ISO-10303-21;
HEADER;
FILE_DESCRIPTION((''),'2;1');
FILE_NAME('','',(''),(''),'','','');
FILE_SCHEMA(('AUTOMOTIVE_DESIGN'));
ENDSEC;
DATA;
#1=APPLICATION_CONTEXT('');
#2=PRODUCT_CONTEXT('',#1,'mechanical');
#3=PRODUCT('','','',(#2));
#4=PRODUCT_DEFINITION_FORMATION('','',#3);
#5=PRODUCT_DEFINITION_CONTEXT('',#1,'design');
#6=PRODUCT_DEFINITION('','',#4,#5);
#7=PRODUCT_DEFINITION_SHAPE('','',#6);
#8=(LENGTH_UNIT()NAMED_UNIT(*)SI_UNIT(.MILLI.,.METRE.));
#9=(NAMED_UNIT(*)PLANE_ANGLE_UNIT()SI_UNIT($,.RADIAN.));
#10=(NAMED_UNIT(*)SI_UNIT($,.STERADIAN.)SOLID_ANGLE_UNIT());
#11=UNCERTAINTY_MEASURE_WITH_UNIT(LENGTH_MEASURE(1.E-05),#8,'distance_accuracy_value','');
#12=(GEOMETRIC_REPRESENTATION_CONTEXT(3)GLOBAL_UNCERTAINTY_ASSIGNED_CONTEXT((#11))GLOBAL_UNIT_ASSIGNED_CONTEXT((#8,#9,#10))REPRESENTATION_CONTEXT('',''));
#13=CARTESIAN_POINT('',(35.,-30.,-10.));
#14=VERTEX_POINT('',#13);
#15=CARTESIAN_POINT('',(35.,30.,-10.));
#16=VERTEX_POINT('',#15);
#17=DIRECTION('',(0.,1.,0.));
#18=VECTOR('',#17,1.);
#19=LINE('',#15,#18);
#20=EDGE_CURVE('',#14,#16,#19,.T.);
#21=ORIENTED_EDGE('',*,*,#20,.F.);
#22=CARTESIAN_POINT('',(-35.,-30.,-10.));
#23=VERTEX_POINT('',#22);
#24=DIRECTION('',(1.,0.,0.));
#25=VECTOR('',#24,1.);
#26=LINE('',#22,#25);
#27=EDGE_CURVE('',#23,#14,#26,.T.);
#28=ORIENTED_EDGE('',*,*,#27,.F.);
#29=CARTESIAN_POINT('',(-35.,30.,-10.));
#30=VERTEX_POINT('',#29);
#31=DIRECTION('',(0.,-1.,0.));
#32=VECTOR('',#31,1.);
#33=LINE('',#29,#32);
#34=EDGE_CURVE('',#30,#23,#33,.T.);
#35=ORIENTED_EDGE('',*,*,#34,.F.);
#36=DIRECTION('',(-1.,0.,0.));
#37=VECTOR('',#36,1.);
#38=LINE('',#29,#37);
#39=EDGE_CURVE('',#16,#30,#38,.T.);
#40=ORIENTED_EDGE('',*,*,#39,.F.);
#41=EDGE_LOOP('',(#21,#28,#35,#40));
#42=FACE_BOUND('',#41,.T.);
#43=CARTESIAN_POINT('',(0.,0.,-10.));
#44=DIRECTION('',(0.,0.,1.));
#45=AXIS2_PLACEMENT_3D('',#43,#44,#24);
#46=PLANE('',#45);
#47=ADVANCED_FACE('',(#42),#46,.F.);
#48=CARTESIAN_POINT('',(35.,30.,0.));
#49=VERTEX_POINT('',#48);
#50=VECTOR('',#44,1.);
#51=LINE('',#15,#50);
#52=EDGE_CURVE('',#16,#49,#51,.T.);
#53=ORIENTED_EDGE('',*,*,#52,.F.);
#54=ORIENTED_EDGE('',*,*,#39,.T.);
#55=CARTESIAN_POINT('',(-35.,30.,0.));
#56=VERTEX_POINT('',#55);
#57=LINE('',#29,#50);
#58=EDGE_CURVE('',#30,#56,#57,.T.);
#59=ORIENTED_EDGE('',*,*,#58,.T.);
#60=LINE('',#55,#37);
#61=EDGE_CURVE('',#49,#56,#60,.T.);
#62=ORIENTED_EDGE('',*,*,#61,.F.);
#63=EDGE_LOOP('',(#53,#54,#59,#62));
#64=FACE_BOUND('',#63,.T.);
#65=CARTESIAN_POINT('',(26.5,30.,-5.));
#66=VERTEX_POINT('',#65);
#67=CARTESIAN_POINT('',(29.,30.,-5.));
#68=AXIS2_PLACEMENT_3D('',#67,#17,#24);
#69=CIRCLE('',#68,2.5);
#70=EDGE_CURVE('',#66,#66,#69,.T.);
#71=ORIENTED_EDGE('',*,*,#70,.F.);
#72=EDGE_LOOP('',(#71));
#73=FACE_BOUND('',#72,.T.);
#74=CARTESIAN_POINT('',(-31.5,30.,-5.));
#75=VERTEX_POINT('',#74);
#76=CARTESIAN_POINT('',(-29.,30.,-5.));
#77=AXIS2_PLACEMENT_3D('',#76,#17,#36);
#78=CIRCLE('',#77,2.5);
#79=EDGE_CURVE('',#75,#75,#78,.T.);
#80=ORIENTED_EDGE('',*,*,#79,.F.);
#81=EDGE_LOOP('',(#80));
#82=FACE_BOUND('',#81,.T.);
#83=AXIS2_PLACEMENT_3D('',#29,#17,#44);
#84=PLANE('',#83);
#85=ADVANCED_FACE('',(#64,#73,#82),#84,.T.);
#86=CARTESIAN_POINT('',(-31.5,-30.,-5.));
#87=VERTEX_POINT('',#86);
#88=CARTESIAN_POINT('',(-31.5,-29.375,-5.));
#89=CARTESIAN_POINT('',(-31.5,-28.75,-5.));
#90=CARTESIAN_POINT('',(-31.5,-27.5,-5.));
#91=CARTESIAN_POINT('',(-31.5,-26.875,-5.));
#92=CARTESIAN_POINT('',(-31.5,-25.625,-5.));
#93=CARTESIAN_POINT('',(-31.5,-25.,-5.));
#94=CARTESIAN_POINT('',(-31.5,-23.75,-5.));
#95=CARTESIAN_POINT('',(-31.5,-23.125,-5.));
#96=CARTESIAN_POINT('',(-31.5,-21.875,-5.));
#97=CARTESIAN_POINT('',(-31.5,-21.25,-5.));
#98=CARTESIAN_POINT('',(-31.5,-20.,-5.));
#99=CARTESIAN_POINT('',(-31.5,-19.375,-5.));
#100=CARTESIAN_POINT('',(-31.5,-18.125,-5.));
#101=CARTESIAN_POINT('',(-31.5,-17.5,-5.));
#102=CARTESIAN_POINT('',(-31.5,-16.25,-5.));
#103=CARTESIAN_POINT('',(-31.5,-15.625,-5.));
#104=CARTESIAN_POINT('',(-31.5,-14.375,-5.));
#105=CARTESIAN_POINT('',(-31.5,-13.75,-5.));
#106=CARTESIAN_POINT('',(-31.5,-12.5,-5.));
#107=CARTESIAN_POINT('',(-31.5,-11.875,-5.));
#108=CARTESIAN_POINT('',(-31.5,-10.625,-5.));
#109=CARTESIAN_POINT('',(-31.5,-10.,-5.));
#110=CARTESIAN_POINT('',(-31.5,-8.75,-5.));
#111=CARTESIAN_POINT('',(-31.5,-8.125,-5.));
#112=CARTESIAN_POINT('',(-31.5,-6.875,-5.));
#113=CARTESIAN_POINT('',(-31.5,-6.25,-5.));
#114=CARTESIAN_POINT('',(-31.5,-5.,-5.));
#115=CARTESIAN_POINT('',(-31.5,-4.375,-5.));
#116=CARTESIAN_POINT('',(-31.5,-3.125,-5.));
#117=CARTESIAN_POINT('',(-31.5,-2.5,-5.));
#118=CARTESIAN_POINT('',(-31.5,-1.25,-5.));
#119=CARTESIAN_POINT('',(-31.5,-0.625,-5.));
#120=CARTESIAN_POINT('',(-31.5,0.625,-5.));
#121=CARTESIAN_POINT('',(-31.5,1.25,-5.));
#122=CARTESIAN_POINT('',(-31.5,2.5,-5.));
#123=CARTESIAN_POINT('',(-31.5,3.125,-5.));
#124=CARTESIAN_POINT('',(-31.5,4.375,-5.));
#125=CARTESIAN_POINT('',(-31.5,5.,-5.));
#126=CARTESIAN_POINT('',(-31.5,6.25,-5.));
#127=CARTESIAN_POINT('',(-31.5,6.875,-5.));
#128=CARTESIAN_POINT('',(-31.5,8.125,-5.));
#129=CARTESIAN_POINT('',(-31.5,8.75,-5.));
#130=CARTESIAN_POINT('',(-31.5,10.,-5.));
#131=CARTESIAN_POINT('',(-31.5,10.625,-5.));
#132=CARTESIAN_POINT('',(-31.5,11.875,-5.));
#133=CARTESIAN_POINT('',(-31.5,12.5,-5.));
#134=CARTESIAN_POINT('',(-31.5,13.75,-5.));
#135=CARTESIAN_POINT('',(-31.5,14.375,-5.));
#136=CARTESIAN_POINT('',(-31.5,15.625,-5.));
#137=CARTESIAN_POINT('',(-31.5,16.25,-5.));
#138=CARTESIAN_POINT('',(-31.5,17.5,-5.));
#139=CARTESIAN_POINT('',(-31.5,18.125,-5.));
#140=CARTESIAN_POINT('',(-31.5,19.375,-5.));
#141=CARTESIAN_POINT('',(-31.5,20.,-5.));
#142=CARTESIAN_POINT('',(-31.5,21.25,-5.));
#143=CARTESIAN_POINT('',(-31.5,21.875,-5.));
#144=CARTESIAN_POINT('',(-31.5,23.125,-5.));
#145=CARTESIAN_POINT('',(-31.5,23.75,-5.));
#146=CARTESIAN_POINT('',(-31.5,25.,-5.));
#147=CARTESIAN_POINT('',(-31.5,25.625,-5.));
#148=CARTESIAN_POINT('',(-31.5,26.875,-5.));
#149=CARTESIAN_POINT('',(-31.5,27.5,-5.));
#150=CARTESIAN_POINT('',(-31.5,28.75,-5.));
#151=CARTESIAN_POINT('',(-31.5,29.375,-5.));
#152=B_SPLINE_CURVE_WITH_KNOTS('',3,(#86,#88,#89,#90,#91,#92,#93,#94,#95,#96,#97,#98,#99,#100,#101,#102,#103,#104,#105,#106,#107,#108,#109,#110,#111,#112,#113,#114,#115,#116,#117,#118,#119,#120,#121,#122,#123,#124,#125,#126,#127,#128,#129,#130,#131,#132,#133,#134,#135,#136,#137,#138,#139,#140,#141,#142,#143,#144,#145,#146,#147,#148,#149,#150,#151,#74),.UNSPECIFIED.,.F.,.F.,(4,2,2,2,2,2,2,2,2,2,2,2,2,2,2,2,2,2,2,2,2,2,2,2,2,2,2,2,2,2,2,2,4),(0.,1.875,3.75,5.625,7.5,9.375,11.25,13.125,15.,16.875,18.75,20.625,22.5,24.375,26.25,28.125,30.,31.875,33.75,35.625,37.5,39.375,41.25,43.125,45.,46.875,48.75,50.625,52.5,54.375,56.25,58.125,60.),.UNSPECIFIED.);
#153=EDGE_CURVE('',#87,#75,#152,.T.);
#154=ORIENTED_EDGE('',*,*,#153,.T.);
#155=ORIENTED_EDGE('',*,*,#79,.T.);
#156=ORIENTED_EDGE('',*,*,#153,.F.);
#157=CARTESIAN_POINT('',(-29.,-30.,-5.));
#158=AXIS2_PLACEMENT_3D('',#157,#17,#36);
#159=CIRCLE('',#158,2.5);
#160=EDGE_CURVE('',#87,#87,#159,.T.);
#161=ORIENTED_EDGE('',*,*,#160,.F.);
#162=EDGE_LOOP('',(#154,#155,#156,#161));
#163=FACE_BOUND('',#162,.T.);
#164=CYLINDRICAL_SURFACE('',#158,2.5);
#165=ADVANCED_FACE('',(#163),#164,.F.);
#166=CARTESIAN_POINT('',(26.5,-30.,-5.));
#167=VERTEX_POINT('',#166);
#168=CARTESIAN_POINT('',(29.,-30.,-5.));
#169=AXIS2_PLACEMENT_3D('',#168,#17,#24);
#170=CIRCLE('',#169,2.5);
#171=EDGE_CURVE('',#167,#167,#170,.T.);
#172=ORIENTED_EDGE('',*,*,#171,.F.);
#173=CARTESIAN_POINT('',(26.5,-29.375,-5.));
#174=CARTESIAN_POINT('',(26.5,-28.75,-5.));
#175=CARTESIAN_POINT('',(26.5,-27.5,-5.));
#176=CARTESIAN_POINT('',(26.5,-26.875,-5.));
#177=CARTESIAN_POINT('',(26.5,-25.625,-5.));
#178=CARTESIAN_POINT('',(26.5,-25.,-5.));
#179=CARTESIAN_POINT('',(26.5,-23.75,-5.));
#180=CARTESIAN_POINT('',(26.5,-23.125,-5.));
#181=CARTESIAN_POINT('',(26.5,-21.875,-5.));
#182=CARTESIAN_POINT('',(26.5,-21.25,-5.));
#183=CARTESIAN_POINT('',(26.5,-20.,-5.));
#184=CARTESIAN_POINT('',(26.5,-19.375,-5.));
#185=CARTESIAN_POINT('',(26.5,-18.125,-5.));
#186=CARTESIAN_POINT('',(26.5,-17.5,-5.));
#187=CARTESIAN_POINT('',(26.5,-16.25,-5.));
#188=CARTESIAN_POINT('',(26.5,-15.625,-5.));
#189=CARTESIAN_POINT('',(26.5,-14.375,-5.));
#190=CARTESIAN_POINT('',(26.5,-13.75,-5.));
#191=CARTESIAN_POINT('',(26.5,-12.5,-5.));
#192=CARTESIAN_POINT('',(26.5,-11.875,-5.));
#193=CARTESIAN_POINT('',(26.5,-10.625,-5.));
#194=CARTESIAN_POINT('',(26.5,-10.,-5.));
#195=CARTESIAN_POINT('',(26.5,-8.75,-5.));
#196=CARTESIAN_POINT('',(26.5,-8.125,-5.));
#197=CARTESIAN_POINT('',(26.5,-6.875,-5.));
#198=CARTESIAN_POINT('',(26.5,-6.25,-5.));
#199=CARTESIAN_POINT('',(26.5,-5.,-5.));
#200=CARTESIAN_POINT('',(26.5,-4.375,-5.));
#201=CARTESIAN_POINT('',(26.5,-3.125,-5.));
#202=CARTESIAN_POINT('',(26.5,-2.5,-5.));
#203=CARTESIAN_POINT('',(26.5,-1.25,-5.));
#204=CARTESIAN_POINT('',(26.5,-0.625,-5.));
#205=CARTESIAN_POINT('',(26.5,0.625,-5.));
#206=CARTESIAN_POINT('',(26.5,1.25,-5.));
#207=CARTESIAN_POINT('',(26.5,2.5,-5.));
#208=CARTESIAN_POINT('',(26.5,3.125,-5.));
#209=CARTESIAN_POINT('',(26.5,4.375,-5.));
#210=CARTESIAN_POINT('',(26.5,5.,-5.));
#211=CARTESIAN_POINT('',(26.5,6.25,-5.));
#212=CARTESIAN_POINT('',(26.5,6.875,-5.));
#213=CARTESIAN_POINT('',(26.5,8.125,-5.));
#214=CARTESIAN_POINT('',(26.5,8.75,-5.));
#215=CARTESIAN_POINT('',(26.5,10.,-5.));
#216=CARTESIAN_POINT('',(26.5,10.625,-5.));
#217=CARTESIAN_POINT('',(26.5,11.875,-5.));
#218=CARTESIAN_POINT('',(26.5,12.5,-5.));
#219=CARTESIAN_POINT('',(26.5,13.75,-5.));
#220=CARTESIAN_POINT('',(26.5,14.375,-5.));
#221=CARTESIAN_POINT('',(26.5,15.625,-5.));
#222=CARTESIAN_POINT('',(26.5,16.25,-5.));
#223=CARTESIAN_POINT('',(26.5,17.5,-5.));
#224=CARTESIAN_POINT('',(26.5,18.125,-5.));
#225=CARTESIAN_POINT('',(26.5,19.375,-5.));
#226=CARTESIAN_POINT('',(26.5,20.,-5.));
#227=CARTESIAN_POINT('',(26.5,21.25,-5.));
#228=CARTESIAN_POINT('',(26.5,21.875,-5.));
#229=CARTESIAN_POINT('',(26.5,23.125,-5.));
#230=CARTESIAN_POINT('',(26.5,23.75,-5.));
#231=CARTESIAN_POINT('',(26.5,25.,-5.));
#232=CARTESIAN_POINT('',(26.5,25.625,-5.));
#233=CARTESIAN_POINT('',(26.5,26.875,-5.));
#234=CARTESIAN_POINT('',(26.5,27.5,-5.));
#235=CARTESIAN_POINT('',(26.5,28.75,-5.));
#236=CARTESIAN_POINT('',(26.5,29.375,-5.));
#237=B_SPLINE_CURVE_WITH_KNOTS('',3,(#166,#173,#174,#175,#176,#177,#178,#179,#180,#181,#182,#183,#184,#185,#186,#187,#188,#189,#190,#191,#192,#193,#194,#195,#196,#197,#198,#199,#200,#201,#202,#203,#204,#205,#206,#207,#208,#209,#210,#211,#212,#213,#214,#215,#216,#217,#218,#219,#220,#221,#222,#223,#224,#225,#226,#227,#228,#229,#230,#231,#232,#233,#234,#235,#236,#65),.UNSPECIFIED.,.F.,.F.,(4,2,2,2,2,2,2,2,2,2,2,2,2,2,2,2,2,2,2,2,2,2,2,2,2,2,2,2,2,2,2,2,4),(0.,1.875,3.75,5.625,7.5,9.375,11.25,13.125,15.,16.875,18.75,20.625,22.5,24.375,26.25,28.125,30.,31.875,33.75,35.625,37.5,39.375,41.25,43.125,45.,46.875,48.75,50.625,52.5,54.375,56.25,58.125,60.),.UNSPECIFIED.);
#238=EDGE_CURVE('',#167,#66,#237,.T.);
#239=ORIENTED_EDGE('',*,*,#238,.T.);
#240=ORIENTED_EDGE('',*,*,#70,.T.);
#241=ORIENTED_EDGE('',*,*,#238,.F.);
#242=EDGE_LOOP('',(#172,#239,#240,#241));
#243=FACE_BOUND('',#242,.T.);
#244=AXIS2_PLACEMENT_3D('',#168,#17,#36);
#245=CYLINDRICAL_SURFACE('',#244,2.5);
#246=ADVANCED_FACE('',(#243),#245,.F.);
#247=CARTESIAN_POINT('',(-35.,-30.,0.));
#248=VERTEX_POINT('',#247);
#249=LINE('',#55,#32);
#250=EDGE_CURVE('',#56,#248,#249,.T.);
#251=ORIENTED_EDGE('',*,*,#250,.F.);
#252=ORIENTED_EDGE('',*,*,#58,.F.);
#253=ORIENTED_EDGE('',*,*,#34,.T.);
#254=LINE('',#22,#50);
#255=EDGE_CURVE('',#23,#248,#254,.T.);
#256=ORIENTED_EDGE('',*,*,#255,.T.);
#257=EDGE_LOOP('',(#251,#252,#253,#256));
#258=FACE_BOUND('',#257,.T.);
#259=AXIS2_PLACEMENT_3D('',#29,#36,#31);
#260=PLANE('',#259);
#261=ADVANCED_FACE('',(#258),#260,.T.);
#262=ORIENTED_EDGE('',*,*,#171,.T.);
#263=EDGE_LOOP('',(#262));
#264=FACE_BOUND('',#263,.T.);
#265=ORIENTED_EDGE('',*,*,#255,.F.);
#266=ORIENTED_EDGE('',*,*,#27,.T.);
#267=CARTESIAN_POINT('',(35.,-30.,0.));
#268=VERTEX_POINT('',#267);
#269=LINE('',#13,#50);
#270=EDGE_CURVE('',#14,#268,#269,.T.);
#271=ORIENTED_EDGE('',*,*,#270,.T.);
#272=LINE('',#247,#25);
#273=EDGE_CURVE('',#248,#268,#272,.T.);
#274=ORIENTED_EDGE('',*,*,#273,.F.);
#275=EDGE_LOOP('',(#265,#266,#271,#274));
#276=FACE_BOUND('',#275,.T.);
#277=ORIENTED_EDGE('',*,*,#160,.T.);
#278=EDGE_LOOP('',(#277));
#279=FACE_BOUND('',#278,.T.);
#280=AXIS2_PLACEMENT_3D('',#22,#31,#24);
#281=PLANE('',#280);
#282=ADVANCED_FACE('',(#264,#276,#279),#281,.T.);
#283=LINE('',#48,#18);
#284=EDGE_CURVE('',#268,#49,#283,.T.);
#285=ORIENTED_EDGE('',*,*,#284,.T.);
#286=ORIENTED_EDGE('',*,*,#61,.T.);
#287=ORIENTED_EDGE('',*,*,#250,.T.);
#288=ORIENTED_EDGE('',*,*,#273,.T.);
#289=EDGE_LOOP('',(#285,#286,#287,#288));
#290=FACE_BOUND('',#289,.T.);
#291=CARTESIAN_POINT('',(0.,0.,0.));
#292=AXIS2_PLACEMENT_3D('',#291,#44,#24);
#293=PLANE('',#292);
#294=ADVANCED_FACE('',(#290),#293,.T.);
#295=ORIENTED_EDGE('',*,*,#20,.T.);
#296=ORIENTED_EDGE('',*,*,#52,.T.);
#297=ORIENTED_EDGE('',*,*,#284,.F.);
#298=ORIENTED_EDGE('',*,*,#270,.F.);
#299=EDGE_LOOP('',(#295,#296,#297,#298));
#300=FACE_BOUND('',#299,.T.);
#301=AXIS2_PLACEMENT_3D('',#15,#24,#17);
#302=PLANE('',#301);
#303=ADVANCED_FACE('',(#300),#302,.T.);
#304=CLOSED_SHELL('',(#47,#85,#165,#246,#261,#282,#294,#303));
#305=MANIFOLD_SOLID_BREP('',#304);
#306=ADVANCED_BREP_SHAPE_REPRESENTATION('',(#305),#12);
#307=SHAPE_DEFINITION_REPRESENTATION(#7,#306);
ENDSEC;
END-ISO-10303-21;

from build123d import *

# Parameters (mm, degrees)
SKETCH1_W           = 70
SKETCH1_H           = 60
BOSS_EXTRUDE1_DEPTH = 10
SKETCH3_R           = 2.5
CUT_EXTRUDE1_DEPTH  = 71.178344238


with BuildPart() as part:
    # Sketch1 → Boss-Extrude1 (new body)
    with BuildSketch(Plane.XY):
        Rectangle(SKETCH1_W, SKETCH1_H)
    extrude(amount=-BOSS_EXTRUDE1_DEPTH)

    # Sketch3 → Cut-Extrude1 (cut, through all)
    with BuildSketch(Plane(origin=(0, 30, 0), x_dir=(1, 0, 0), z_dir=(0, 1, 0))):
        with Locations(Location((-29, 5, 0), (0, 0, 180))):
            Circle(SKETCH3_R)
        with Locations(Location((29, 5, 0), (0, 0, 180))):
            Circle(SKETCH3_R)
    extrude(amount=-CUT_EXTRUDE1_DEPTH, mode=Mode.SUBTRACT)


solid = part.part
